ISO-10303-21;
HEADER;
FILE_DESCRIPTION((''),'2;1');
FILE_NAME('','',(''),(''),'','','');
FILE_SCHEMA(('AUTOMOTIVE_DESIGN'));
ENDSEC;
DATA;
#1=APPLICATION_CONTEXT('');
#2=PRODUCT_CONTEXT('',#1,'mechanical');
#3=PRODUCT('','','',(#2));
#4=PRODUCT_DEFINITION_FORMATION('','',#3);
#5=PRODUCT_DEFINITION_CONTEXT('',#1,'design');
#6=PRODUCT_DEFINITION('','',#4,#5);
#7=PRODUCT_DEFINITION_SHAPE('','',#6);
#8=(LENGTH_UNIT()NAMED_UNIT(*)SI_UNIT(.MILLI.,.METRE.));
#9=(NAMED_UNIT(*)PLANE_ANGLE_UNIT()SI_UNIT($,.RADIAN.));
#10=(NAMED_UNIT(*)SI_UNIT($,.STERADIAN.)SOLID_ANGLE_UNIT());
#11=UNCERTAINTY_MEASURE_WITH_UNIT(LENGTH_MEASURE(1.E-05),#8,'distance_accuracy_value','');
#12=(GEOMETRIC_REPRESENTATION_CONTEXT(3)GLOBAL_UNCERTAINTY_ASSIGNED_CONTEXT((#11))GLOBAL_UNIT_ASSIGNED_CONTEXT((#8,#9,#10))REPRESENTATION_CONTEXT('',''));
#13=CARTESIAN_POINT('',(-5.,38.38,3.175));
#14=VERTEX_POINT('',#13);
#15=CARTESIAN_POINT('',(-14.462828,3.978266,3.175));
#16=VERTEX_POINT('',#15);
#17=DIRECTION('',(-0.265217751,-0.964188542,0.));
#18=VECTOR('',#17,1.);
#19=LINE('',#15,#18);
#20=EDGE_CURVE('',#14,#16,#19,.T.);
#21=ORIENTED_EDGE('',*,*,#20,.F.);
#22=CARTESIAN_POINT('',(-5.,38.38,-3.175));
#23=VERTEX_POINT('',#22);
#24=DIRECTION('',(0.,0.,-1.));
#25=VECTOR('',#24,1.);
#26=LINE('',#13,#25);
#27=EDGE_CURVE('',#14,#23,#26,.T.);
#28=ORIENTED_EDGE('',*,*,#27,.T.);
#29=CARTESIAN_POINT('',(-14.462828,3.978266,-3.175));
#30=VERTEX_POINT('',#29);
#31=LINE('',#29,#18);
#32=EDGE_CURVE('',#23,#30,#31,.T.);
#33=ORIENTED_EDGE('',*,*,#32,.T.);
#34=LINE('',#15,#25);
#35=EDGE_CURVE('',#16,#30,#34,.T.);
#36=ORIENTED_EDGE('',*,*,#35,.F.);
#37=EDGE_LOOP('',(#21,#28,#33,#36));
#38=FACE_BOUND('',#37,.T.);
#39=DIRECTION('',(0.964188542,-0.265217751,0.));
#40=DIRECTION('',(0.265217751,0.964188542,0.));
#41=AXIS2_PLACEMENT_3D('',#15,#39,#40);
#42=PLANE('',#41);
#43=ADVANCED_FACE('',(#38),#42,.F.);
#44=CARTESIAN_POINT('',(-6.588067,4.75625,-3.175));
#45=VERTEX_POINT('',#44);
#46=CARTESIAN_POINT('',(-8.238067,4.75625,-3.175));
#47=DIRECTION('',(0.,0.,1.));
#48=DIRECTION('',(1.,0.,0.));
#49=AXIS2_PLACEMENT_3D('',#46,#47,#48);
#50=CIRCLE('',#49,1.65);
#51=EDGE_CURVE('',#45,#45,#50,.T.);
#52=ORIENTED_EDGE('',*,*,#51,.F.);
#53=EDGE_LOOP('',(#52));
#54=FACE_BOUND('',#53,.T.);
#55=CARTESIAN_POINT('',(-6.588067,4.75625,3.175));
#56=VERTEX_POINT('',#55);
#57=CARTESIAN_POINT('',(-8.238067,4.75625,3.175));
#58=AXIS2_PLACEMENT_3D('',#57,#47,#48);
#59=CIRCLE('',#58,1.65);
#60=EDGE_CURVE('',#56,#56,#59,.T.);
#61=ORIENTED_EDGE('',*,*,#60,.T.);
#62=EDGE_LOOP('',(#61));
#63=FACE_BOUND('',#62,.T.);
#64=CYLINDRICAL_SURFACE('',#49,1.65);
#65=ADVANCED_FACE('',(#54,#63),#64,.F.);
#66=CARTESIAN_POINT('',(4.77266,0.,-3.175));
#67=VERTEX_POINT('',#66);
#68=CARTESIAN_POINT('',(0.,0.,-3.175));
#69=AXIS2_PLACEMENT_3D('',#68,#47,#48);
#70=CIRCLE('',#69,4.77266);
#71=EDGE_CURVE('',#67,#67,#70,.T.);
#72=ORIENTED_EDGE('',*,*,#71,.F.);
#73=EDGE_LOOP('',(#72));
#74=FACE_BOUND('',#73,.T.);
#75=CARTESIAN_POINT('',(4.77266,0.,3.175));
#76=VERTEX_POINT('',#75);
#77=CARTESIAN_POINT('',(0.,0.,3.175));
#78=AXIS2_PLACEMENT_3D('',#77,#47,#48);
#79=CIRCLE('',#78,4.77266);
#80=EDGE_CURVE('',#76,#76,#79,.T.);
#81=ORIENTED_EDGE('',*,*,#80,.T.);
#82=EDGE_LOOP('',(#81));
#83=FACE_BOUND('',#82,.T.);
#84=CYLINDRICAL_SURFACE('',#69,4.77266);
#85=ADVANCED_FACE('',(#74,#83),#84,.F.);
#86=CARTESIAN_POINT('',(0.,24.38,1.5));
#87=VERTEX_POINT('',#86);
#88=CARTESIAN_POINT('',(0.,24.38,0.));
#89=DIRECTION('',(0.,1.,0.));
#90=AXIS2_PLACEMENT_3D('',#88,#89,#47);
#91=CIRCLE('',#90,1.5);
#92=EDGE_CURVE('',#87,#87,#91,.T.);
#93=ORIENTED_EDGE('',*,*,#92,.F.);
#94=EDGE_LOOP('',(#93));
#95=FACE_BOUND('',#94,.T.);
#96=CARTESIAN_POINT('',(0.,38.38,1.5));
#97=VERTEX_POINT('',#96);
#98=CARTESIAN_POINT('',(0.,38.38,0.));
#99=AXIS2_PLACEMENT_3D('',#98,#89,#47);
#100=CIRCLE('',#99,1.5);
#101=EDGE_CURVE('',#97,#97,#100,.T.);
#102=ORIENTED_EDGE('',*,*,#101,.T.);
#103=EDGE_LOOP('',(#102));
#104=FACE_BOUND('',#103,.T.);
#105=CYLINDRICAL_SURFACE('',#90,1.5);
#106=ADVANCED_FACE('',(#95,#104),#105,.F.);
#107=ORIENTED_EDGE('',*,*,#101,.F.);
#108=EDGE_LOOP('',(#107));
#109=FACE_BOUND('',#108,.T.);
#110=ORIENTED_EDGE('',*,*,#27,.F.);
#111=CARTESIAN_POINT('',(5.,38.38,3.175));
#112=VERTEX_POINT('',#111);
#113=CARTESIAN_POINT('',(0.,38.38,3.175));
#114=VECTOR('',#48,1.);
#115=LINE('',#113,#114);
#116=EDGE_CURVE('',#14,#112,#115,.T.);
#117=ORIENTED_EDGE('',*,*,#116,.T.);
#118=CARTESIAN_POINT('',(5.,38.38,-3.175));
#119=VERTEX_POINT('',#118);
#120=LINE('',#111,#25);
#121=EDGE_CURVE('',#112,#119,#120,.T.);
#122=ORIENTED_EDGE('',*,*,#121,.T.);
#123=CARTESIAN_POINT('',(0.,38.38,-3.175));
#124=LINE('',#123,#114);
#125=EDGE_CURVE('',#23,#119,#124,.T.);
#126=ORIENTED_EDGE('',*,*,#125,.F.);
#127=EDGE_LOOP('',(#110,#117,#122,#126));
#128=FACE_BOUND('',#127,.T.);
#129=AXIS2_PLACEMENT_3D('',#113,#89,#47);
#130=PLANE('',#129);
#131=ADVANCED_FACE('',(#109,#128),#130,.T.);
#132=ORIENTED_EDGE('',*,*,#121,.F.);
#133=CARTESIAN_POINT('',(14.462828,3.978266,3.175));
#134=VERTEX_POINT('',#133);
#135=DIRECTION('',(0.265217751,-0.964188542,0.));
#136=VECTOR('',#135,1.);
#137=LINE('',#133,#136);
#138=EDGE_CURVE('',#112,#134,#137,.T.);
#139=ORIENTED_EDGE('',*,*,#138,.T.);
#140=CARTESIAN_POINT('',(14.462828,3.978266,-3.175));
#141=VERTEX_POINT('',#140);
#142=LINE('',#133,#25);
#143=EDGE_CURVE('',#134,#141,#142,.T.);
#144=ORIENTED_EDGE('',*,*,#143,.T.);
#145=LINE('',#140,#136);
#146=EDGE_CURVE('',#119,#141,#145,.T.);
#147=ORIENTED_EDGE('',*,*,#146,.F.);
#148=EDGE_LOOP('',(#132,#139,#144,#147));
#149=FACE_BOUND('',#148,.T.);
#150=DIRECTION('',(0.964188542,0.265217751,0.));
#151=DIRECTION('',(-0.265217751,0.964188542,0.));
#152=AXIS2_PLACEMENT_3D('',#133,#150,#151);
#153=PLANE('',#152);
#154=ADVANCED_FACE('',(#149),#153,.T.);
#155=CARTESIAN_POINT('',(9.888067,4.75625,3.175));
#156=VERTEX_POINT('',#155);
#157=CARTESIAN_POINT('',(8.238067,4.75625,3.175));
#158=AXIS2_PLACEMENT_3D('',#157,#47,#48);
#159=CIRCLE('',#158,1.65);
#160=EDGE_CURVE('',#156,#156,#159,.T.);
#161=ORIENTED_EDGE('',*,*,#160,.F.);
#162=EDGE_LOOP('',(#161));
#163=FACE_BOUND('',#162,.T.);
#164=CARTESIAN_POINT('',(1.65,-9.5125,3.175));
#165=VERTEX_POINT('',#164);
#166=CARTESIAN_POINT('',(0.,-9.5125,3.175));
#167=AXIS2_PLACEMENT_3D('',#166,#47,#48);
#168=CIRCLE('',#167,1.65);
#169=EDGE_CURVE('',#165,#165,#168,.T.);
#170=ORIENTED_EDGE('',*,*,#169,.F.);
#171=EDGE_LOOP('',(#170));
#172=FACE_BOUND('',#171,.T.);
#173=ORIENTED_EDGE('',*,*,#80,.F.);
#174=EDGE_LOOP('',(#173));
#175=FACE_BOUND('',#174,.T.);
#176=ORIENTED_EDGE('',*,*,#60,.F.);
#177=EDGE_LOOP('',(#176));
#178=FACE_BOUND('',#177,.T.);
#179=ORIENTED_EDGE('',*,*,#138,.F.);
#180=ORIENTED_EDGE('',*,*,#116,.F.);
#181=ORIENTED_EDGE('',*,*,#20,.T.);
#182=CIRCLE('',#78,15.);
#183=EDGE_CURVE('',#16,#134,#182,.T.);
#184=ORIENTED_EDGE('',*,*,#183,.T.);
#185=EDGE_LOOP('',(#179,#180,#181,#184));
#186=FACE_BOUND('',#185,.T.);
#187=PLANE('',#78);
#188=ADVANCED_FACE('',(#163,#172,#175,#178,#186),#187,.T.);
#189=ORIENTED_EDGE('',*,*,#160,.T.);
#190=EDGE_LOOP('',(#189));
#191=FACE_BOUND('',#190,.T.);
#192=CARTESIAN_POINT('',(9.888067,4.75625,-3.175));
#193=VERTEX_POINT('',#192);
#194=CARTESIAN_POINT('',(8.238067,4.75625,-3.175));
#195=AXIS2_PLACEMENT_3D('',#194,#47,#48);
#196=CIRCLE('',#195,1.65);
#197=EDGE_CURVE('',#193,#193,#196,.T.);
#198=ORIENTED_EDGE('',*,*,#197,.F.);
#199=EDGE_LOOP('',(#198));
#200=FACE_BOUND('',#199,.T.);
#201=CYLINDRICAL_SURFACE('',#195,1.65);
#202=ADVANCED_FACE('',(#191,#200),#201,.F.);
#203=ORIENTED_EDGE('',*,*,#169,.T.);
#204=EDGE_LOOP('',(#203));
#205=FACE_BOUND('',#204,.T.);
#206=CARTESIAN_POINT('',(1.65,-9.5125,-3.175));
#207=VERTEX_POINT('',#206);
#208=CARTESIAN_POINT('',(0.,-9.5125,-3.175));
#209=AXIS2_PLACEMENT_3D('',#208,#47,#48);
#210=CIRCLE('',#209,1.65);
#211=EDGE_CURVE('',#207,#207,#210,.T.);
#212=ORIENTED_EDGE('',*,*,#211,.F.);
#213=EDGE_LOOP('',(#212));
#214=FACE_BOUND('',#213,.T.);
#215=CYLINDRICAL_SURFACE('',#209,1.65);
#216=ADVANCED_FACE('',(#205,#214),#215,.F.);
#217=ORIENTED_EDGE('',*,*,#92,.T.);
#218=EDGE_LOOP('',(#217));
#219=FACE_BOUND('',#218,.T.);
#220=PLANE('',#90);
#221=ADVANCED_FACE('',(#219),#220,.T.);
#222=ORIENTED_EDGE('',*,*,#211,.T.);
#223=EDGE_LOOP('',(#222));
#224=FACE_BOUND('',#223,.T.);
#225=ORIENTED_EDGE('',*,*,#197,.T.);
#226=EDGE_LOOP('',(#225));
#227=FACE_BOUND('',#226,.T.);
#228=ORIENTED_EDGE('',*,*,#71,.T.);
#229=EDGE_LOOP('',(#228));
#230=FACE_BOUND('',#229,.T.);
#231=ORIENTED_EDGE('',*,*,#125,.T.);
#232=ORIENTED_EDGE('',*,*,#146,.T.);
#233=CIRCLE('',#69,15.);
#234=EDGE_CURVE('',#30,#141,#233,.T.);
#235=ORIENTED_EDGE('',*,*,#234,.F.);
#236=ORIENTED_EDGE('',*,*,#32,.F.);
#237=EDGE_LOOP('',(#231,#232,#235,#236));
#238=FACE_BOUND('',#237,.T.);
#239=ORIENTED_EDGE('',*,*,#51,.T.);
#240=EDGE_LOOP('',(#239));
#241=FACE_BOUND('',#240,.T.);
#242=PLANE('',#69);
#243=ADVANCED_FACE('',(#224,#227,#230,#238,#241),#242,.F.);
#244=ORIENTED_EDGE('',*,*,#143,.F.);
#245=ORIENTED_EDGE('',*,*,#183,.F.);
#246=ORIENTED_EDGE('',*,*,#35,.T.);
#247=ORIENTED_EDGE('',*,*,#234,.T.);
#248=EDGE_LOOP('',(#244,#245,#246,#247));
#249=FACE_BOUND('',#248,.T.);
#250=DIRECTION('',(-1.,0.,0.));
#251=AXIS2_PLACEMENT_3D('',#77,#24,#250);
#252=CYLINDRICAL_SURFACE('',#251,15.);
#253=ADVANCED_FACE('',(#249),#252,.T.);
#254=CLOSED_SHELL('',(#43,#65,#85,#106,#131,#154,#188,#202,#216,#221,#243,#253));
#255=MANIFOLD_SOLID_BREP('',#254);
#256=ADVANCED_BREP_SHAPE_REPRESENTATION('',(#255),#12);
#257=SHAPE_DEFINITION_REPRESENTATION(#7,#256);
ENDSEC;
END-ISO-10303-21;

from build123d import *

# Parameters (mm, degrees)
BASE_DEPTH           = 3.175
BOSS_EXTRUDE1_DEPTH  = 6.35
SKETCH2_R            = 4.77266
SHAFT_AND_BOLT_DEPTH = 7.35
SKETCH5_R            = 1.5
CUT_EXTRUDE1_DEPTH   = 14
SKETCH6_R            = 1.65
CUT_EXTRUDE2_DEPTH   = 7.35


with BuildPart() as part:
    # Sketch1 → Base (new body, symmetric)
    with BuildSketch(Plane.XY):
        with BuildLine():
            Line((-5, 38.38), (-14.46282813, 3.978266268))
            ThreePointArc((-14.46282813, 3.978266268), (-14.389347628, -4.236351595), (-10, -11.180339887))
            Line((-10, -11.180339887), (10, -11.180339887))
            ThreePointArc((10, -11.180339887), (14.389347628, -4.236351595), (14.46282813, 3.978266268))
            Line((14.46282813, 3.978266268), (5, 38.38))
            Line((5, 38.38), (-5, 38.38))
        make_face()
    extrude(amount=BASE_DEPTH, both=True)

    # Sketch7 → Boss-Extrude1 (add)
    with BuildSketch(Plane.XY.offset(3.175)):
        with BuildLine():
            Line((-10, -11.180339887), (10, -11.180339887))
            ThreePointArc((10, -11.180339887), (0, -15), (-10, -11.180339887))
        make_face()
    extrude(amount=-BOSS_EXTRUDE1_DEPTH)

    # Sketch2 → Shaft and Bolt (cut, through all)
    with BuildSketch(Plane.XY.offset(3.175)):
        Circle(SKETCH2_R)
    extrude(amount=-SHAFT_AND_BOLT_DEPTH, mode=Mode.SUBTRACT)

    # Sketch5 → Cut-Extrude1 (cut)
    with BuildSketch(Plane(origin=(0, 38.38, 0), x_dir=(1, 0, 0), z_dir=(0, 1, 0))):
        Circle(SKETCH5_R)
    extrude(amount=-CUT_EXTRUDE1_DEPTH, mode=Mode.SUBTRACT)

    # Sketch6 → Cut-Extrude2 (cut, through all)
    with BuildSketch(Plane.XY.offset(3.175)):
        with Locations((0, -9.5125)):
            Circle(SKETCH6_R)
        with Locations((-8.238066653, 4.75625)):
            Circle(SKETCH6_R)
        with Locations((8.238066653, 4.75625)):
            Circle(SKETCH6_R)
    extrude(amount=-CUT_EXTRUDE2_DEPTH, mode=Mode.SUBTRACT)


solid = part.part
